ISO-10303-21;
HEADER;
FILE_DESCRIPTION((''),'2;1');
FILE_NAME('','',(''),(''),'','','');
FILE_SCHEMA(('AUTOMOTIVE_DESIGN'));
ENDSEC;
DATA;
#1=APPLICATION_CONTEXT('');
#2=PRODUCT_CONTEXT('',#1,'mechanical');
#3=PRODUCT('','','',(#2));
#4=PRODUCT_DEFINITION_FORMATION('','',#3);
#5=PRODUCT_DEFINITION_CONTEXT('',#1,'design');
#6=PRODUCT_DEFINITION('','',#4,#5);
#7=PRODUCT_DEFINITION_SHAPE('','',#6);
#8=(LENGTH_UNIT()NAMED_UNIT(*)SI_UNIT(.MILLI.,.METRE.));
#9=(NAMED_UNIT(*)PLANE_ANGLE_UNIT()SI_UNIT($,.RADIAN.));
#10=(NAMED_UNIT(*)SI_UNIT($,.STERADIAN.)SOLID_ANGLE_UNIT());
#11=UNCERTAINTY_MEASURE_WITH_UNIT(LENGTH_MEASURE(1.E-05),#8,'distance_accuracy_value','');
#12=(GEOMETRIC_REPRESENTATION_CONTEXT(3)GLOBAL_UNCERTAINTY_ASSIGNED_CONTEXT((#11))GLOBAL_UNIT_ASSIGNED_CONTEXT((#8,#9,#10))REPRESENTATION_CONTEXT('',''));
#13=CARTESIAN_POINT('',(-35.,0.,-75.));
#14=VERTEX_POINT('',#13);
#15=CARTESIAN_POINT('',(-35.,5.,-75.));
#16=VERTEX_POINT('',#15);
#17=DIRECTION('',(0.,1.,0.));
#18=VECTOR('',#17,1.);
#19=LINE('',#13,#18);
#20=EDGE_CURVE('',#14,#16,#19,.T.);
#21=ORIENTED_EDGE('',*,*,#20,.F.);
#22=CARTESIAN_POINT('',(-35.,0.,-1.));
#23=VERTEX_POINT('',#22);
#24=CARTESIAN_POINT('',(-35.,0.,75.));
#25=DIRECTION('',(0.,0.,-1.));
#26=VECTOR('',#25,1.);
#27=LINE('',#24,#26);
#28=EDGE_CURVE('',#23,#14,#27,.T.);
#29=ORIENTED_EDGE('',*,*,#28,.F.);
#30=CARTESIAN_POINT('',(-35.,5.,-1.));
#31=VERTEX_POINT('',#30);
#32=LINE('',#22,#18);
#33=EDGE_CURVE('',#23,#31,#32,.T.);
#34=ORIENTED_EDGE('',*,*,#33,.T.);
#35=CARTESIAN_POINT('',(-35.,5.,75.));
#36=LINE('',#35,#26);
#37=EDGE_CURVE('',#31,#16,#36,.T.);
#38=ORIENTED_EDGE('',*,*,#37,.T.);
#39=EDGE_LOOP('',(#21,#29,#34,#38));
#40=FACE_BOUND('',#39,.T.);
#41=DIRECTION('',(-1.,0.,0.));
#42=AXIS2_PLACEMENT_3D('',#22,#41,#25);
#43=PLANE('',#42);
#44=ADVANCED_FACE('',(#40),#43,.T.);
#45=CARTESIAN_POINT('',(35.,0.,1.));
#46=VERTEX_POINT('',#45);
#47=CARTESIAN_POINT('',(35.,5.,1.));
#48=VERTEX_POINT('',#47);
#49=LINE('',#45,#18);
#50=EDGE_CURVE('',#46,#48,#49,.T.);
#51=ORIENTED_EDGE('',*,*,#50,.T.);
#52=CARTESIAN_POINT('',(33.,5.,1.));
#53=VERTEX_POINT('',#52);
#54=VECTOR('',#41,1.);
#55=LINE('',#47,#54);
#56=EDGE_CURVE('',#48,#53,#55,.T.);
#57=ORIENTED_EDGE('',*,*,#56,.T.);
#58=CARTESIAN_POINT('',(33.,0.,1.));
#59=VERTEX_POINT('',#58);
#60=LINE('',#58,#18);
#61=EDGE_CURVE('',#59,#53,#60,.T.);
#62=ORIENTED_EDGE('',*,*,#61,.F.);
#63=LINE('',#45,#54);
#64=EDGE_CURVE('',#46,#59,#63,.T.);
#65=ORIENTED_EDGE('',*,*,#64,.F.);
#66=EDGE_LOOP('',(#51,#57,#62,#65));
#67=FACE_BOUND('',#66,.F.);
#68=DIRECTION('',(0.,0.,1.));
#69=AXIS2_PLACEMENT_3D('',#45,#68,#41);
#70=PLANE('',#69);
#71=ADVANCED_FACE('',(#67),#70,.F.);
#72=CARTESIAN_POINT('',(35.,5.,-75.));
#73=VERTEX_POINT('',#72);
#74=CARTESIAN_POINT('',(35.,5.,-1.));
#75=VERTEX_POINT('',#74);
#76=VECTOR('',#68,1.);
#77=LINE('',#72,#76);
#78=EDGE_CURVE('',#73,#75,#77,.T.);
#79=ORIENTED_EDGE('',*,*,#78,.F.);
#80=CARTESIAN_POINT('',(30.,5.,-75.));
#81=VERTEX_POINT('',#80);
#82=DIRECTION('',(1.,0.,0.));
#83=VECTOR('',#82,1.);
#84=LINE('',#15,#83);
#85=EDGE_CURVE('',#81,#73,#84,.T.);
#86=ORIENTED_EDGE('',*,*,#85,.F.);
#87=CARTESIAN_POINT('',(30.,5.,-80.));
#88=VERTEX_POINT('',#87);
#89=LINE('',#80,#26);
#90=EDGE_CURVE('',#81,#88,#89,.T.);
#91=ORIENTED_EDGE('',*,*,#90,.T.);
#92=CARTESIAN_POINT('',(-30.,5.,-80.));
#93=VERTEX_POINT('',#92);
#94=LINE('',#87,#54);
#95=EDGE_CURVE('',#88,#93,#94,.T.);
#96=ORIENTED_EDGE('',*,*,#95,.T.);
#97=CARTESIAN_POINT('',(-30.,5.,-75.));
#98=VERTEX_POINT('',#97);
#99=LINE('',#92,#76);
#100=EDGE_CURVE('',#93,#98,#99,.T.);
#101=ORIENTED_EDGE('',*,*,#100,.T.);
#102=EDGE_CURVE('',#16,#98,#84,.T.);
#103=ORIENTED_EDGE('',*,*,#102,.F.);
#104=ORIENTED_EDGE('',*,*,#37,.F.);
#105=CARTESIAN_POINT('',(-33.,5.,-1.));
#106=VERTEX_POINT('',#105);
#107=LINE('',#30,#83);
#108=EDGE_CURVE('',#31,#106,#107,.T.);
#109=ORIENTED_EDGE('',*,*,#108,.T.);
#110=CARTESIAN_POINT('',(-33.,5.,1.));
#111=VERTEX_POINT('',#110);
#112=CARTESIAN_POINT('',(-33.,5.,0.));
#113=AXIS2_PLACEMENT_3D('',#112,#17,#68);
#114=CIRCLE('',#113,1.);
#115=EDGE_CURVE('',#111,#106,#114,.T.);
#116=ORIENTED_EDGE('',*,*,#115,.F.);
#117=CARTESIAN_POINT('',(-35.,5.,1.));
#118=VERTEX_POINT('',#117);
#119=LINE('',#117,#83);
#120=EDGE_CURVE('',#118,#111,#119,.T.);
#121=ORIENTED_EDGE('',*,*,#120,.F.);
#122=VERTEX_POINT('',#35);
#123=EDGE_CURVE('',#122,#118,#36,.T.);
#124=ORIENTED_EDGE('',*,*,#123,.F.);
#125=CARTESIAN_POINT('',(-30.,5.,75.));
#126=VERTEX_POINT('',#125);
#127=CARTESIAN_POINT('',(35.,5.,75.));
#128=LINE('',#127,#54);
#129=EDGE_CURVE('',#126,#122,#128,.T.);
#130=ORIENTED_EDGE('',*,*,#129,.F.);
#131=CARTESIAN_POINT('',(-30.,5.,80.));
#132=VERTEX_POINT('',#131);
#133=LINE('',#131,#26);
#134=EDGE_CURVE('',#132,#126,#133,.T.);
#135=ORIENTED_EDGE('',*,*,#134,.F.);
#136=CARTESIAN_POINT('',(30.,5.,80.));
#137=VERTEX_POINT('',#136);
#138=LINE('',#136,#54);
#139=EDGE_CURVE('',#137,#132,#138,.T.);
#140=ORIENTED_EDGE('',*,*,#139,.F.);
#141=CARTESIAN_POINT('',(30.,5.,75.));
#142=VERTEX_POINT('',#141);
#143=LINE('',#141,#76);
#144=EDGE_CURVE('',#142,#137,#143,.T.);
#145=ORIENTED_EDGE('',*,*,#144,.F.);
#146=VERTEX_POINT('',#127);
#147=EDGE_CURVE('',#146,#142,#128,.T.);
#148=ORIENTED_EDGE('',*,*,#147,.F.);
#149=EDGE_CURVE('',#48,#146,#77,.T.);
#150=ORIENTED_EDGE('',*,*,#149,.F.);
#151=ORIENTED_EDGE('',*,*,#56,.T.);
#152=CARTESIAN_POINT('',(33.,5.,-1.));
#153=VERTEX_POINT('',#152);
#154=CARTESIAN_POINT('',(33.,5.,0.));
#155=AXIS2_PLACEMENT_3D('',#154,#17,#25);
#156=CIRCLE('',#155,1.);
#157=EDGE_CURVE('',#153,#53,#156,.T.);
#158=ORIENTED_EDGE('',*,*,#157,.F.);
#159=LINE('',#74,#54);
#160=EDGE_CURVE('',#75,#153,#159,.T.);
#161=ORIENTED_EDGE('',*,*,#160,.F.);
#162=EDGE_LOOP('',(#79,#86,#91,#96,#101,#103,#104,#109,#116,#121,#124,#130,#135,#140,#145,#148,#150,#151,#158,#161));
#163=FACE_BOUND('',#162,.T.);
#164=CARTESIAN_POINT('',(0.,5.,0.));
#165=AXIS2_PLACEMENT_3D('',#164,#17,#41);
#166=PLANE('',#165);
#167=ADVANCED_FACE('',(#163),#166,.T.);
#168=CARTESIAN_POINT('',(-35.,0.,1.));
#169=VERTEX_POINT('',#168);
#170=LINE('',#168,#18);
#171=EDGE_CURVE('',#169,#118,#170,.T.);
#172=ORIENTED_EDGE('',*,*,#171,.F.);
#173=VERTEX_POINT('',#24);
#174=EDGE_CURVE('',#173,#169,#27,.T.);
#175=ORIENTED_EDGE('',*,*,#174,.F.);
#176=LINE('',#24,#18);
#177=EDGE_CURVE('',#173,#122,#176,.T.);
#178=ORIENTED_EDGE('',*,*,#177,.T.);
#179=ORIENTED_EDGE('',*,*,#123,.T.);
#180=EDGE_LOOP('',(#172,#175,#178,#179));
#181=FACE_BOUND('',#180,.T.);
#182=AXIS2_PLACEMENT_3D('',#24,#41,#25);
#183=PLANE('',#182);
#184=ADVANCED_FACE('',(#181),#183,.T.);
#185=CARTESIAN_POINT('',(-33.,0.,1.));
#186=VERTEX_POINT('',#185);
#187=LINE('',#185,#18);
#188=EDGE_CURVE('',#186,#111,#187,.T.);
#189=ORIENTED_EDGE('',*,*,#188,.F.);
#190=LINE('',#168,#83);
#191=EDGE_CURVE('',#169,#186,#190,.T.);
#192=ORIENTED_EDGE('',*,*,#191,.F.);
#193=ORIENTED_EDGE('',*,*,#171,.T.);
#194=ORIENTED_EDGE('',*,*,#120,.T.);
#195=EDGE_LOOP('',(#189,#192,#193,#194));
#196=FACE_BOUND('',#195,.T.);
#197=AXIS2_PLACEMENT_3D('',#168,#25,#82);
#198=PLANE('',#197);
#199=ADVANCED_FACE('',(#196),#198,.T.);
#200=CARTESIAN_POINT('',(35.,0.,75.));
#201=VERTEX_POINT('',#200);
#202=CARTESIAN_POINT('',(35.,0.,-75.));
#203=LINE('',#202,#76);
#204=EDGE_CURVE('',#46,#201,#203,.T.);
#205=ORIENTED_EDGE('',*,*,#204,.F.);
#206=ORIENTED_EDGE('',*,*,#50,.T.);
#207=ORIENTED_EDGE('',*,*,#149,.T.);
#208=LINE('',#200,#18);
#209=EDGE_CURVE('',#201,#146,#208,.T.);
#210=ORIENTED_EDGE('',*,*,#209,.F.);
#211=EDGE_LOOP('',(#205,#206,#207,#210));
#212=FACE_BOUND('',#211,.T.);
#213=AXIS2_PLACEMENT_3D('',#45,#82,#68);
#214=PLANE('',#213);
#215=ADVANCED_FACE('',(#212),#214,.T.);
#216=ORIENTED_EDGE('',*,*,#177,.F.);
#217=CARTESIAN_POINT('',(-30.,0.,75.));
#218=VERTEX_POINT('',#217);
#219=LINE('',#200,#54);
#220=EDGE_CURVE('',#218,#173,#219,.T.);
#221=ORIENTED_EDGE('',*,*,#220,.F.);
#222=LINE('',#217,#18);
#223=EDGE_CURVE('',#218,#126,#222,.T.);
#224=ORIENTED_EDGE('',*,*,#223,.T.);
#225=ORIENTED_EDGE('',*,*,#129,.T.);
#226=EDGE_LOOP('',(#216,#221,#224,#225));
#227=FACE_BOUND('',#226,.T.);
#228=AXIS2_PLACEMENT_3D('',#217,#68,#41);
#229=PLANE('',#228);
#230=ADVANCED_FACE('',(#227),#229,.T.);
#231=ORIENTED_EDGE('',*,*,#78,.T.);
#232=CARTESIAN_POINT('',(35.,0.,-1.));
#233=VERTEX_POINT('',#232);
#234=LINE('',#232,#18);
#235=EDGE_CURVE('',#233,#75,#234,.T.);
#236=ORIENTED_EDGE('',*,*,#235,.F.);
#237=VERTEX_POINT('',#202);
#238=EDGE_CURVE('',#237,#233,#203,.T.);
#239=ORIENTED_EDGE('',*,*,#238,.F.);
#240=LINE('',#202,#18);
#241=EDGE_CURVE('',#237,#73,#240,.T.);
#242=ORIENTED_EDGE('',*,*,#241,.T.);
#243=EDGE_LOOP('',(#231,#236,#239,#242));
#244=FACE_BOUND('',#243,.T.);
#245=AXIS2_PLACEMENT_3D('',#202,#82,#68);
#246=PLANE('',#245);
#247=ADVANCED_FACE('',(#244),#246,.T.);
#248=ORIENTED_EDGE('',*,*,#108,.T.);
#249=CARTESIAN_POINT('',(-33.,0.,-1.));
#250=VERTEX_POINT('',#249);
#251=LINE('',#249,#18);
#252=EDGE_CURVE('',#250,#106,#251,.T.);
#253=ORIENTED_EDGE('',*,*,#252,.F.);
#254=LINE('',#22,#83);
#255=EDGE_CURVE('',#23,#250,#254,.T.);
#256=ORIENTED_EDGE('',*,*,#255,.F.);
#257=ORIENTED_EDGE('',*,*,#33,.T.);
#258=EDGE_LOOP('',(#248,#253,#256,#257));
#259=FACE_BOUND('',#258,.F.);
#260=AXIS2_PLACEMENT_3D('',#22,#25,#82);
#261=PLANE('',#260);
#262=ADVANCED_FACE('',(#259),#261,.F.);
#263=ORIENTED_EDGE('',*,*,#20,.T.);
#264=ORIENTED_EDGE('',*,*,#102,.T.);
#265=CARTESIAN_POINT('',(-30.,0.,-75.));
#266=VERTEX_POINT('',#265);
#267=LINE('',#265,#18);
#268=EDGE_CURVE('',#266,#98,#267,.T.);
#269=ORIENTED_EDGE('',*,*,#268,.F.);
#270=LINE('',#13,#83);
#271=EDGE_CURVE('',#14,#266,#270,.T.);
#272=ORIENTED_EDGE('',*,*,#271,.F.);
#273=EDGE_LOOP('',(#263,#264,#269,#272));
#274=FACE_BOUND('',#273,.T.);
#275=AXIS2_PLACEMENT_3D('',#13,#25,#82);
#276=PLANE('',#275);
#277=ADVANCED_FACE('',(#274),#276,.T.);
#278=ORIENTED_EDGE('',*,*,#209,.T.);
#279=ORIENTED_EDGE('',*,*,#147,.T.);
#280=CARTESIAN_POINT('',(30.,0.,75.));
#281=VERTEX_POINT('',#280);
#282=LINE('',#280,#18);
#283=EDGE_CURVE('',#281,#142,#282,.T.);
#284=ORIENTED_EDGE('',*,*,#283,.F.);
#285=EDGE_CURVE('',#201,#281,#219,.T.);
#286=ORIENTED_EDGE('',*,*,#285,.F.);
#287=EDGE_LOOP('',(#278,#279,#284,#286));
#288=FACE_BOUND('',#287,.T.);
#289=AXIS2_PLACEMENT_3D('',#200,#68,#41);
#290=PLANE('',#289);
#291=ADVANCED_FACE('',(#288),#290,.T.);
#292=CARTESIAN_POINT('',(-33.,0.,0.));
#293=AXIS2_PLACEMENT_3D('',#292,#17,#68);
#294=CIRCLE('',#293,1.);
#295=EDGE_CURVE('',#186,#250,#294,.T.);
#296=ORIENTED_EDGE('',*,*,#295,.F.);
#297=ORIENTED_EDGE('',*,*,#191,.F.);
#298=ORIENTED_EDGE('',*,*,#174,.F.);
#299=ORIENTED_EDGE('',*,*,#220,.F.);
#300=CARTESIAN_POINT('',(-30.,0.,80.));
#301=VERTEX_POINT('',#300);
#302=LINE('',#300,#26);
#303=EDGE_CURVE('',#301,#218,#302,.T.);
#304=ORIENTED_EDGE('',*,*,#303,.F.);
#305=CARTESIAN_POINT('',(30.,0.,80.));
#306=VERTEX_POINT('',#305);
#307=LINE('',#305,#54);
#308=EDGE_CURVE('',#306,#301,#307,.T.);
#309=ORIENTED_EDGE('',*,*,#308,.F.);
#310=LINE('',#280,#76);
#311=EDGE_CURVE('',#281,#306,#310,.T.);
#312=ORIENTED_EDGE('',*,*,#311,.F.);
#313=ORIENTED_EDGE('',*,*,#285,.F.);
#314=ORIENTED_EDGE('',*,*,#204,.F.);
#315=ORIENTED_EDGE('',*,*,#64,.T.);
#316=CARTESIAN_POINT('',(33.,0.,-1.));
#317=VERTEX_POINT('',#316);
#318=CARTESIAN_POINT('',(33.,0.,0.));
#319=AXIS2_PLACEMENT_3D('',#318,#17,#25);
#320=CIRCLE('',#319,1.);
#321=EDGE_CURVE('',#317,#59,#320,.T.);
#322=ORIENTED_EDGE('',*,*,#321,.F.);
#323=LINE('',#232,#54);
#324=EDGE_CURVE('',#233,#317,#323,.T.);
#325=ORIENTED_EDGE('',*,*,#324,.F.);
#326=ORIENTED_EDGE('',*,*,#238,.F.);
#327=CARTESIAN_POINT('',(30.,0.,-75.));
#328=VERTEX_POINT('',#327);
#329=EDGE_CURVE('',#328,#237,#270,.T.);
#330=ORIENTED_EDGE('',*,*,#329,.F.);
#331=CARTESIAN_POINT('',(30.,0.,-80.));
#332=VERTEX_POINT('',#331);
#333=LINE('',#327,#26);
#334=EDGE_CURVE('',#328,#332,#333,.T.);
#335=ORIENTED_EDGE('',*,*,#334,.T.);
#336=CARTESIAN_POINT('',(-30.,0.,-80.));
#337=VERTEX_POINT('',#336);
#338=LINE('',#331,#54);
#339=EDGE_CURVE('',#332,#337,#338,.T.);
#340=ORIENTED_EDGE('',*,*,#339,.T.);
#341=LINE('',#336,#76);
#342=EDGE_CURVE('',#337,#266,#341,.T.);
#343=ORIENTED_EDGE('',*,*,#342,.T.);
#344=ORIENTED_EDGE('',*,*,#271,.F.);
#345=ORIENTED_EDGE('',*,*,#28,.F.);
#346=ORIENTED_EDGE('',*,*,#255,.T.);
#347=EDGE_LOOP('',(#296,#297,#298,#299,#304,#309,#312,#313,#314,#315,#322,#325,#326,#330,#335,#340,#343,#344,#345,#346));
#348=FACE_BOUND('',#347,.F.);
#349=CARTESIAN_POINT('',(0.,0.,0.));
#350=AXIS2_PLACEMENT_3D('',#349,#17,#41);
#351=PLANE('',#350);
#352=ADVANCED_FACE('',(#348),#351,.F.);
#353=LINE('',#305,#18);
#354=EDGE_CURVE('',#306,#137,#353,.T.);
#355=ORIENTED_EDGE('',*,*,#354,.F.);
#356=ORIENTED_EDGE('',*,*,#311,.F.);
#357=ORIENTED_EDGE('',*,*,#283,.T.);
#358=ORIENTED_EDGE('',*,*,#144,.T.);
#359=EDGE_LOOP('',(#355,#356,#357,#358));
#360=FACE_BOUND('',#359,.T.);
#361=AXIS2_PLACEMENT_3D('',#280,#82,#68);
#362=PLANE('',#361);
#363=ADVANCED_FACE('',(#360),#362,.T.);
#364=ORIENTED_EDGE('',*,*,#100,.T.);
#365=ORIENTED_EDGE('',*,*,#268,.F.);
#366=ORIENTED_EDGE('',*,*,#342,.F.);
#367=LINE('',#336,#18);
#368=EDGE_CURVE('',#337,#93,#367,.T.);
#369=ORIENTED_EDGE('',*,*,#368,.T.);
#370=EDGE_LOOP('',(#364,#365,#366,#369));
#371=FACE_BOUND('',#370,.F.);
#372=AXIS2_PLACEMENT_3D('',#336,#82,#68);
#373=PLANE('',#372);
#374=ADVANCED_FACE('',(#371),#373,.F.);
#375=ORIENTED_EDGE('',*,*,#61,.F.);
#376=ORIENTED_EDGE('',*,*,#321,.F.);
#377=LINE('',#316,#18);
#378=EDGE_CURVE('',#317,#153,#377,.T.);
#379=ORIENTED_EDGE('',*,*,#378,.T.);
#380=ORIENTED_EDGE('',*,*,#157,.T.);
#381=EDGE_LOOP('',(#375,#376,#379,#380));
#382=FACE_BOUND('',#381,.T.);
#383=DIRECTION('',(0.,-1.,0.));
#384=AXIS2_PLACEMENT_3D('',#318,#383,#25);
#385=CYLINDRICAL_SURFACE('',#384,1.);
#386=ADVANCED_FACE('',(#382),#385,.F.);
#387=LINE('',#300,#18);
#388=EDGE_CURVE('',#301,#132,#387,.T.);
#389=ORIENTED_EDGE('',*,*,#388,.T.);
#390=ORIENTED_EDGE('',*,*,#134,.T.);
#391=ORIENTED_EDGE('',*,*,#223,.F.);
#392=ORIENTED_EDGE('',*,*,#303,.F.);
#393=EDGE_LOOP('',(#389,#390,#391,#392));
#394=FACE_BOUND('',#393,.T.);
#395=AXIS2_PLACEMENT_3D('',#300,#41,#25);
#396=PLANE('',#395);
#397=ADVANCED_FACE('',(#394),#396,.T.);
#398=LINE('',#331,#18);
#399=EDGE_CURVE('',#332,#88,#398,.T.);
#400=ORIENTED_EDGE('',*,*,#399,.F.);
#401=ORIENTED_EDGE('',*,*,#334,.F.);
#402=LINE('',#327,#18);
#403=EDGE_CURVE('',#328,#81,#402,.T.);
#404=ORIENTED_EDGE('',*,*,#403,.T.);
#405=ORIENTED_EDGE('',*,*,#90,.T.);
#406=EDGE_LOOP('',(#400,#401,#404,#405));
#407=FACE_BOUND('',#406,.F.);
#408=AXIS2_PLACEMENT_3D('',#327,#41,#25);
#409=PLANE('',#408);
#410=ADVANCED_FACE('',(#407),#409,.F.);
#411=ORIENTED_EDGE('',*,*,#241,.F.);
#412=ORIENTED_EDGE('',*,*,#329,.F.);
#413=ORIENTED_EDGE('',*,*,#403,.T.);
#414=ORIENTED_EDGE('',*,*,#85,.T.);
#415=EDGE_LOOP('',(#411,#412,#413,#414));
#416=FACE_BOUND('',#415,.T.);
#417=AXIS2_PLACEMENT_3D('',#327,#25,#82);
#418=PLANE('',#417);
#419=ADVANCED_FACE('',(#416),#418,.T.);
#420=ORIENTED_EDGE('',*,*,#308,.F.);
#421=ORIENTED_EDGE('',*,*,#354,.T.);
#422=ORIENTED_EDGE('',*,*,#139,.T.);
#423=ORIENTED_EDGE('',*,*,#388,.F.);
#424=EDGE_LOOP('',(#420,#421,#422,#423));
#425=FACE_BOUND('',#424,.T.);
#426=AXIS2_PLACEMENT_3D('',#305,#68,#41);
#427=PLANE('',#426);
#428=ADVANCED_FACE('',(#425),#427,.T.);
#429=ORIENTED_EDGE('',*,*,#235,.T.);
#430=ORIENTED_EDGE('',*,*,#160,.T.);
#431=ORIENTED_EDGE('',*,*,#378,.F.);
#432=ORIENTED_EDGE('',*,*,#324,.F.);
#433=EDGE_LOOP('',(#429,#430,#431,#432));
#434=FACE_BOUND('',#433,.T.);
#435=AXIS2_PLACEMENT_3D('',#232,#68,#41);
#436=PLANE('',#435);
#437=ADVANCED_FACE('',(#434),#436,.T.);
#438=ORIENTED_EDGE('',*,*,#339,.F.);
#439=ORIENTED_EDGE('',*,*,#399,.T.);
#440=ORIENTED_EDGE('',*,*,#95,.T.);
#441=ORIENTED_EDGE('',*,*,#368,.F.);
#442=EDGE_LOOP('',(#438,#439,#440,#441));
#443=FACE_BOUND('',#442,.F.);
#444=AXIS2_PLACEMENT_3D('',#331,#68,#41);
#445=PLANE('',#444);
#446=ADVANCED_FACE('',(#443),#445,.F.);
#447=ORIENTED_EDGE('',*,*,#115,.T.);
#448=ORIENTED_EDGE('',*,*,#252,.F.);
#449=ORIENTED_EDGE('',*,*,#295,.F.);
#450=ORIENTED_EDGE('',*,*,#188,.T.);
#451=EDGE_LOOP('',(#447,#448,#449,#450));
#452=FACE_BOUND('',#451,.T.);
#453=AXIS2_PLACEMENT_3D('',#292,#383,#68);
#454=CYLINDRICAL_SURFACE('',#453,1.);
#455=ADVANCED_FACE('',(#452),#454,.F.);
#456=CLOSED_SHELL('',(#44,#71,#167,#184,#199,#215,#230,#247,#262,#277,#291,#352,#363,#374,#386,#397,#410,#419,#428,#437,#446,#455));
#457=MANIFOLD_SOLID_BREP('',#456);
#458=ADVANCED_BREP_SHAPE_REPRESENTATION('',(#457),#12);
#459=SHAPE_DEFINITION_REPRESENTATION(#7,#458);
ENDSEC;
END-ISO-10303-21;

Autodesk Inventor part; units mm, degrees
ref_plane "YZ Plane" through (0, 0, 0) normal (1, 0, 0) x (0, 1, 0)
ref_plane "XZ Plane" through (0, 0, 0) normal (0, 1, 0) x (-1, 0, 0)
ref_plane "XY Plane" through (0, 0, 0) normal (0, 0, 1) x (1, 0, 0)
sketch "Skizze1" plane through (0, 0, 0) normal (0, 1, 0) x (-1, 0, 0)
  line L0 (35, -75) -> (-35, -75)
  line L1 (-35, -75) -> (-35, 75)
  line L2 (-35, 75) -> (35, 75)
  line L3 (35, 75) -> (35, -75)
  line L4 (35, -75) -> (-35, 75) construction
  line L5 (35, 75) -> (-35, -75) construction
  line L6 (30, -75) -> (-30, -75)
  line L7 (-30, -75) -> (-30, -80)
  line L8 (-30, -80) -> (30, -80)
  line L9 (30, -80) -> (30, -75)
  line L10 (30, 75) -> (-30, 75)
  line L11 (-30, 75) -> (-30, 80)
  line L12 (-30, 80) -> (30, 80)
  line L13 (30, 80) -> (30, 75)
  line L14 (35, -1) -> (33, -1)
  line L15 (35, 1) -> (33, 1)
  line L16 (-35, -1) -> (-33, -1)
  line L17 (-35, 1) -> (-33, 1)
  arc A0 (33, 1) -> (33, -1) centre (33, 0) ccw
  arc A1 (-33, -1) -> (-33, 1) centre (-33, 0) ccw
  point P0 (0, 0)
  point P1 (0, 0)
  point P2 (30, -77.5)
  point P3 (0, 0)
  point P4 (-30, -75)
  dimension "d0" = 150
  dimension "d1" = 5
  dimension "d2" = 5
  dimension "d3" = 5
  dimension "d4" = 60
  dimension "d5" = 2
  dimension "d6" = 2
  dimension "d7" = 1
extrude "Extrusion1" add sketch "Skizze1" along normal blind 5 contours L0 L1 L16 A1 L17 L2 L3 L15 A0 L14 | L9 L8 L7 L0 | L2 L11 L12 L13
equation "\"d4\" = t"
equation "\"t\" = 60"
properties part number "Verbinder_t80"
